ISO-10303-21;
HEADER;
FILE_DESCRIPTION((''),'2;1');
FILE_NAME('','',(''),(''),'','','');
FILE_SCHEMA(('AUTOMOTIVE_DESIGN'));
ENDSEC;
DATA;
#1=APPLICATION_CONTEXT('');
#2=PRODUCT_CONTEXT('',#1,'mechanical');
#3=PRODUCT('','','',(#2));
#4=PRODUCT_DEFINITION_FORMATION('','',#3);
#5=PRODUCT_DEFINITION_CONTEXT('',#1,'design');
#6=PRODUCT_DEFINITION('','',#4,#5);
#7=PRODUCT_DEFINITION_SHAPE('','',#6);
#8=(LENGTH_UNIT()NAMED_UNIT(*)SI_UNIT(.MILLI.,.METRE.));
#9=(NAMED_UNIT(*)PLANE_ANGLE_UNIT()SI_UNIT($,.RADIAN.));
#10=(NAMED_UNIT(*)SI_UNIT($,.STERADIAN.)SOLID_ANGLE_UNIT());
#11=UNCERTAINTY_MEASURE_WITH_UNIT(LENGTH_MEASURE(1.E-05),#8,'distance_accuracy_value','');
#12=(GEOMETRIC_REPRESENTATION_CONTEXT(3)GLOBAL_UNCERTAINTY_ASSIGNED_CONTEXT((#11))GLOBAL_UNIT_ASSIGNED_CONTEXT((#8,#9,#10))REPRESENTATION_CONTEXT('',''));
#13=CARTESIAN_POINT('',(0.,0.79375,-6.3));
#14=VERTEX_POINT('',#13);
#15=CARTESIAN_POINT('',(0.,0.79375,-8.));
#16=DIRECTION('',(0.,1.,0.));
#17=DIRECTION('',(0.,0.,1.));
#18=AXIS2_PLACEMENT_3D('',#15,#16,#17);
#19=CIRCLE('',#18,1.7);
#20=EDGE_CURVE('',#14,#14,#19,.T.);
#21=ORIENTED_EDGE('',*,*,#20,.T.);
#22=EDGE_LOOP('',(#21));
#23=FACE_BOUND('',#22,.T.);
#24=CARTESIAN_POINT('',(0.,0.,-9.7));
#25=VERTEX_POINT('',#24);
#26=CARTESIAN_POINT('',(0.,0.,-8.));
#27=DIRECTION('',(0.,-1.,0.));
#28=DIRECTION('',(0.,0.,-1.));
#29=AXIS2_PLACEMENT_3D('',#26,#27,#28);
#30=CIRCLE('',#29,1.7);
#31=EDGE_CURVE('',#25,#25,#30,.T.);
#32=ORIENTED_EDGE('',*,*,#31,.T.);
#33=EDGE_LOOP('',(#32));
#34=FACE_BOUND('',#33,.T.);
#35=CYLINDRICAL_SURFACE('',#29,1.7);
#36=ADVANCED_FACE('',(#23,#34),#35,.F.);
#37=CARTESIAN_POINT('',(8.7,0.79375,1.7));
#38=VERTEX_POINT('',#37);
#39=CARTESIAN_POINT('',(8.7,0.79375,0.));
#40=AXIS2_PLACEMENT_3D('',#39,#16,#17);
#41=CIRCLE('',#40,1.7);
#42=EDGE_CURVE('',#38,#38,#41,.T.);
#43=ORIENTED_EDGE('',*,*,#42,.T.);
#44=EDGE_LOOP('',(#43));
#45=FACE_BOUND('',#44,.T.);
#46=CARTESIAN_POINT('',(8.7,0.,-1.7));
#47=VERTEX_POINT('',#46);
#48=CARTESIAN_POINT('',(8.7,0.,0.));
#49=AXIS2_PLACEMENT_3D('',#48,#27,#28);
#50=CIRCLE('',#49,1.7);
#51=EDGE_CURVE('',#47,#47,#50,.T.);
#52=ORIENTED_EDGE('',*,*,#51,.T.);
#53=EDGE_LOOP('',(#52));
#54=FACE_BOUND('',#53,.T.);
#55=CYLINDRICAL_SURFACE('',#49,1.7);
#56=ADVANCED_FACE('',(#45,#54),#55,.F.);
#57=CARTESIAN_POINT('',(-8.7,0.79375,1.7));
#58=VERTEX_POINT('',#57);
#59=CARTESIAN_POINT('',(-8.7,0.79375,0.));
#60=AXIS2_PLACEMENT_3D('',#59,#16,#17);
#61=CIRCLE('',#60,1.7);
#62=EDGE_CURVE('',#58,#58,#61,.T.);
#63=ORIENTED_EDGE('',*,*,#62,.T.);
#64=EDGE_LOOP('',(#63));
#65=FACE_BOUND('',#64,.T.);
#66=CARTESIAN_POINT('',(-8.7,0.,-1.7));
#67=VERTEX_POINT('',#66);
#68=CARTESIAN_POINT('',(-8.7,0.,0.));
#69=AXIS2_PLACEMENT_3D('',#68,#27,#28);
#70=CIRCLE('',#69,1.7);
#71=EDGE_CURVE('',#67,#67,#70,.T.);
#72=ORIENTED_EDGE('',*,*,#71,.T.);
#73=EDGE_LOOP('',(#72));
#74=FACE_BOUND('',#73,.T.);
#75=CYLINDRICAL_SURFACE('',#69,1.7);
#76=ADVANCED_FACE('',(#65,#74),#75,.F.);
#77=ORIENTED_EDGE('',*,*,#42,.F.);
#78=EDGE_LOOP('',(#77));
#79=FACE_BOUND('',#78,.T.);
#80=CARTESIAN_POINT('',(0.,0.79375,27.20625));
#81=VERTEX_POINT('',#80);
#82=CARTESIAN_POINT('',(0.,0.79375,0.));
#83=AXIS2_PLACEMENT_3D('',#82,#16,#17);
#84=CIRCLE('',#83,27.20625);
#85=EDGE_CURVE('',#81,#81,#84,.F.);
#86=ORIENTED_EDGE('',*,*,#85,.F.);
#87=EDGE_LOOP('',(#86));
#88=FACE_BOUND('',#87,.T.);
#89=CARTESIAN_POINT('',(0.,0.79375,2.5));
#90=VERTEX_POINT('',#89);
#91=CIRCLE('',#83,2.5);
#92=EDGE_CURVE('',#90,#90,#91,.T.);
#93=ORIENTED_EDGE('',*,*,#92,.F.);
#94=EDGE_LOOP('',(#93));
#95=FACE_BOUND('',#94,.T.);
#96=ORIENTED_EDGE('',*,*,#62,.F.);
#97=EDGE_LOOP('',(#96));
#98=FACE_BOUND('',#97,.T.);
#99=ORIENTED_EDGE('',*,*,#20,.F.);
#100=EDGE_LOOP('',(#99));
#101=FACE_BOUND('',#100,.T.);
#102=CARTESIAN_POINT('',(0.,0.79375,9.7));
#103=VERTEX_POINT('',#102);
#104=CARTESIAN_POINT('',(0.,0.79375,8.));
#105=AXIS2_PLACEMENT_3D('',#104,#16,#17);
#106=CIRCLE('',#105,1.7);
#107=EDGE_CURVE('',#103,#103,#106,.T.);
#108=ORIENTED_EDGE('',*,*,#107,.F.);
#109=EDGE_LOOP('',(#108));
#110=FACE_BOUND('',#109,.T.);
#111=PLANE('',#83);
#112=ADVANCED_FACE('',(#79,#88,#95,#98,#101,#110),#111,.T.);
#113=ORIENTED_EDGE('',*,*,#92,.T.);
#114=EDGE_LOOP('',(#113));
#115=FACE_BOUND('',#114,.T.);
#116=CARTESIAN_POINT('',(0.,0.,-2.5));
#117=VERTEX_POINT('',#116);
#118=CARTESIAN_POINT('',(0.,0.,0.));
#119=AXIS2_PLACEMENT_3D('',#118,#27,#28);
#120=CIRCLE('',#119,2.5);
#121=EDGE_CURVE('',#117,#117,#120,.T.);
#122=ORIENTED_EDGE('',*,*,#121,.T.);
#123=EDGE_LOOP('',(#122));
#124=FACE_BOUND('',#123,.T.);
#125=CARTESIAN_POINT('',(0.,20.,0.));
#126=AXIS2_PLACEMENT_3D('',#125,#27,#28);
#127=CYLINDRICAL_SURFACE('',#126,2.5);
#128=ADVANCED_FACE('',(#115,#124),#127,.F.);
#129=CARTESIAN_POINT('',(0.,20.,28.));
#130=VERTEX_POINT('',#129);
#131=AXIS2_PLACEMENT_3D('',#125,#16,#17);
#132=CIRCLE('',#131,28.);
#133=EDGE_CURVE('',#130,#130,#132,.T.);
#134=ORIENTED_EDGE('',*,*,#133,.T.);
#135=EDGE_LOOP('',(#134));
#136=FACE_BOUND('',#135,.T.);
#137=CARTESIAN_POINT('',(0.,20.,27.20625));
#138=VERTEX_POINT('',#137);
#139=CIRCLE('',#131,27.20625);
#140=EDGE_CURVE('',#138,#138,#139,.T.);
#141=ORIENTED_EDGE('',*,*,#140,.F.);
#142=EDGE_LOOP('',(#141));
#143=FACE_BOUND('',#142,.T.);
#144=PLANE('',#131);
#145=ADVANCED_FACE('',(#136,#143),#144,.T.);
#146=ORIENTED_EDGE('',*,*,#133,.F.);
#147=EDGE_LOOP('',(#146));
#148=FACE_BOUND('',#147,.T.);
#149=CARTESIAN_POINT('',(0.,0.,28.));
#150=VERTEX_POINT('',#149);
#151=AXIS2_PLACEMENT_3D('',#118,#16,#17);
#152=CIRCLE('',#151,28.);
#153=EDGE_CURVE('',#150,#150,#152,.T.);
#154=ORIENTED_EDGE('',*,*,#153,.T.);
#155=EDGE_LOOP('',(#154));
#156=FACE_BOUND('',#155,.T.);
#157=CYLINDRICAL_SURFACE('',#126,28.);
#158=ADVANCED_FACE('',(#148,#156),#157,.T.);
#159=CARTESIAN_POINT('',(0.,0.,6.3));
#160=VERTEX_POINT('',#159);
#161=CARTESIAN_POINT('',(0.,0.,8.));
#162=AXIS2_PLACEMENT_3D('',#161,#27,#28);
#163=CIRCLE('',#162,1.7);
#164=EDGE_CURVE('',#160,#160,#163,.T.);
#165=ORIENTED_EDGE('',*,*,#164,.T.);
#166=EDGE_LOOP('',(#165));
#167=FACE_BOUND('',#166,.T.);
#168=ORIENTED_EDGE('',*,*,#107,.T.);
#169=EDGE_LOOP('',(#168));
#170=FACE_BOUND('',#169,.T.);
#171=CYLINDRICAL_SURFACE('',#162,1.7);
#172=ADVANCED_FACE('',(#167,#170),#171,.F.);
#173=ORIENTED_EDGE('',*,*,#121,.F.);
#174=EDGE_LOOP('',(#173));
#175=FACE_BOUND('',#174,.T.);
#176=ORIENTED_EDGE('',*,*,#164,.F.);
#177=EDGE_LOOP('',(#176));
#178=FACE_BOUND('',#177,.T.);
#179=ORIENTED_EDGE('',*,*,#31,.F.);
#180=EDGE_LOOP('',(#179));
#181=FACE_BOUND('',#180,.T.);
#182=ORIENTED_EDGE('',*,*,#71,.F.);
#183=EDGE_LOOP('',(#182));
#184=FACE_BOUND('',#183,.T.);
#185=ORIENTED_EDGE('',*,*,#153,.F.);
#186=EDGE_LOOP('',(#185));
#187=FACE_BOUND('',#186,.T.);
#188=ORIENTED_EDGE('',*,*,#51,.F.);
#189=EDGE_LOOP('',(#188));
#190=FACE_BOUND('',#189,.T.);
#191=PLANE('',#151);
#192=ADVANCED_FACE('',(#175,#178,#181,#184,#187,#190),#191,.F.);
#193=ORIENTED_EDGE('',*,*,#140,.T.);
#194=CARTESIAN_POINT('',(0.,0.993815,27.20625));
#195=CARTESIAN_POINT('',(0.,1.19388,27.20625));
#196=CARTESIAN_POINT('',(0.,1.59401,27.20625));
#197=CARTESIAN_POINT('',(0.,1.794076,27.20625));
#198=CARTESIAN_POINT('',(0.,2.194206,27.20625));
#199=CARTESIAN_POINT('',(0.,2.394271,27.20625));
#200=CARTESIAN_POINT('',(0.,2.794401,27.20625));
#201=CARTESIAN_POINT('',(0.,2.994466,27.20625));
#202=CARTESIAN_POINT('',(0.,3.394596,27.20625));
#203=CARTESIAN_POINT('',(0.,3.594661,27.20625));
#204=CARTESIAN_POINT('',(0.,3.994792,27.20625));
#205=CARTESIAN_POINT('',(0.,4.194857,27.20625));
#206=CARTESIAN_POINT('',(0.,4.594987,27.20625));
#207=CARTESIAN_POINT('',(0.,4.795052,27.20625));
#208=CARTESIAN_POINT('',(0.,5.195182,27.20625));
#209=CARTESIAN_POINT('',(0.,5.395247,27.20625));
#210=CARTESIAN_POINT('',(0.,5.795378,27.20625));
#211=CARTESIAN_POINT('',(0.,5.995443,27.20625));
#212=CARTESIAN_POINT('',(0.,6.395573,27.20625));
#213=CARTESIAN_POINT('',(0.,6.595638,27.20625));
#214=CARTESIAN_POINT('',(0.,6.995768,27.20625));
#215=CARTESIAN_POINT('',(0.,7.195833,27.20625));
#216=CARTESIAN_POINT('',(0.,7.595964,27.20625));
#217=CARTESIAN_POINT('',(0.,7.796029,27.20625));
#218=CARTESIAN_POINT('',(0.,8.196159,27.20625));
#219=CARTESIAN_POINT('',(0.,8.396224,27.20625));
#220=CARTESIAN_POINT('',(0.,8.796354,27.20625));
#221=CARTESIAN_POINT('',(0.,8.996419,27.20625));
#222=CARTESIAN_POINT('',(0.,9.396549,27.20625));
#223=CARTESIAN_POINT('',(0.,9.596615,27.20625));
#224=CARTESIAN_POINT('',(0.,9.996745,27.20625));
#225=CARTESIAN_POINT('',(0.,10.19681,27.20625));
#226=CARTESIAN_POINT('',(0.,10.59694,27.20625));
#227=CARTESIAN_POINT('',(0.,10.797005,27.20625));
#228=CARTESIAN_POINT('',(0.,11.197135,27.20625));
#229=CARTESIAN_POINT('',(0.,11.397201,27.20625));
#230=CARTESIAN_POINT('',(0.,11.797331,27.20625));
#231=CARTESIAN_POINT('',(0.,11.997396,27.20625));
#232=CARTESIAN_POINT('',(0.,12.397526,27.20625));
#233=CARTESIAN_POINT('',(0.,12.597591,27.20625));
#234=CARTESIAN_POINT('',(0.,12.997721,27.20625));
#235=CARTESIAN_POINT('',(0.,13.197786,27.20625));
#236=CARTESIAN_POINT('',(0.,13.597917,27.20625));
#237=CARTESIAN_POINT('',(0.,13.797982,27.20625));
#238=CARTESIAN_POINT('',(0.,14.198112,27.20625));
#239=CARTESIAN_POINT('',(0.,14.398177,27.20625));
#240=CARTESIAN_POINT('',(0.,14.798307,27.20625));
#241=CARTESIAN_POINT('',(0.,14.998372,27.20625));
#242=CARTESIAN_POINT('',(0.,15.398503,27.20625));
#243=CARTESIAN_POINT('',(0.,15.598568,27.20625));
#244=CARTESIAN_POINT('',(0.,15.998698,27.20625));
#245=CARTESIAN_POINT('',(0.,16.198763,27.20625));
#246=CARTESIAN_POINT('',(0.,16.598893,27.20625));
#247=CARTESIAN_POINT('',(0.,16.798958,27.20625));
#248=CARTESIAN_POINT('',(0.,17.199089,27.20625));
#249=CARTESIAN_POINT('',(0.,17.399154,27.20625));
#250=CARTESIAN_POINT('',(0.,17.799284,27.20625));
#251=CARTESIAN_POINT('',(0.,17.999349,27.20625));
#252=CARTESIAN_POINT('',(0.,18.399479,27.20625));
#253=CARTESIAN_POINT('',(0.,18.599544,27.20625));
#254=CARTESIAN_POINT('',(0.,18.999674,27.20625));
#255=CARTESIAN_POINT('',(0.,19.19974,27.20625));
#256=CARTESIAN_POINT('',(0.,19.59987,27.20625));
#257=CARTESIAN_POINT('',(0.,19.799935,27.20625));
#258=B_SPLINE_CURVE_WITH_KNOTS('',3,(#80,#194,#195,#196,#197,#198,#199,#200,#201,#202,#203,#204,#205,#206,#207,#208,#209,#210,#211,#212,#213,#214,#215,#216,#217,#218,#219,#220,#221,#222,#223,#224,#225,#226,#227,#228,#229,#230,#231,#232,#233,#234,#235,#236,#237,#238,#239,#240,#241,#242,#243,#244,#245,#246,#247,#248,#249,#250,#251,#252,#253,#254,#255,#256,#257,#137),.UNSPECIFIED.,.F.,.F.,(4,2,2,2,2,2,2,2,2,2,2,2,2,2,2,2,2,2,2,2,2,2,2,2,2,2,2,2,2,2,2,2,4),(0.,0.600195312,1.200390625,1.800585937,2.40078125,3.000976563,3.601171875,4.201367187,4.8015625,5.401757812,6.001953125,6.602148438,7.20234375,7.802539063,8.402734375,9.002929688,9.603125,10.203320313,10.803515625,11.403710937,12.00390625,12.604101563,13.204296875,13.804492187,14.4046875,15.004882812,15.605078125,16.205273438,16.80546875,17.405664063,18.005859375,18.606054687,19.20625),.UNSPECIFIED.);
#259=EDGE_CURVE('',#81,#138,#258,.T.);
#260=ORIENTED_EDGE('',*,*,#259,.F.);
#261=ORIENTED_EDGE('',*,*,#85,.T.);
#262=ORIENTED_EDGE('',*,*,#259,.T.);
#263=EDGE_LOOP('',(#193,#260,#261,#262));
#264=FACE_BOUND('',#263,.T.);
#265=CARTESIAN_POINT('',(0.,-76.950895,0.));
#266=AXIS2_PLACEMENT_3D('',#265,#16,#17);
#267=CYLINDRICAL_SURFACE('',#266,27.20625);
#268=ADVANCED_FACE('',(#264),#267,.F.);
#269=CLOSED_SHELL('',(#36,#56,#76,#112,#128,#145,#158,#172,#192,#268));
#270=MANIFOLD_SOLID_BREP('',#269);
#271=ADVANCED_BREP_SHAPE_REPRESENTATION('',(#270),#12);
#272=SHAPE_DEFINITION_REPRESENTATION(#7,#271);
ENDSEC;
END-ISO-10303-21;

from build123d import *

# Parameters (mm, degrees)
SKETCH1_R            = 28
BOSS_EXTRUDE1_DEPTH  = 20
SKETCH2_R            = 27.20625
CUT_EXTRUDE1_DEPTH   = 19.20625
M3_CLEARANCE_HOLE1_D = 3.4
SKETCH5_R            = 2.5
CUT_EXTRUDE2_DEPTH   = 45.362146026


with BuildPart() as part:
    # Sketch1 → Boss-Extrude1 (new body)
    with BuildSketch(Plane(origin=(0, 0, 0), x_dir=(1, 0, 0), z_dir=(0, 1, 0))):
        with Locations(Location((0, 0, 0), (0, 0, 270))):
            Circle(SKETCH1_R)
    extrude(amount=BOSS_EXTRUDE1_DEPTH)

    # Sketch2 → Cut-Extrude1 (cut)
    with BuildSketch(Plane(origin=(0, 20, 0), x_dir=(1, 0, 0), z_dir=(0, 1, 0))):
        with Locations(Location((0, 0, 0), (0, 0, 270))):
            Circle(SKETCH2_R)
    extrude(amount=-CUT_EXTRUDE1_DEPTH, mode=Mode.SUBTRACT)

    # M3 Clearance Hole1 (through all)
    with Locations(Plane(origin=(0, 0, 0), x_dir=(-1, 0, 0), z_dir=(0, -1, 0))):
        with Locations((0, 8), (0, -8), (-8.700000126, 0), (8.700000126, 0)):
            Hole(M3_CLEARANCE_HOLE1_D / 2)

    # Sketch5 → Cut-Extrude2 (cut, through all)
    with BuildSketch(Plane.XZ):
        with Locations(Location((0, 0, 0), (0, 0, 270))):
            Circle(SKETCH5_R)
    extrude(amount=-CUT_EXTRUDE2_DEPTH, mode=Mode.SUBTRACT)


solid = part.part
